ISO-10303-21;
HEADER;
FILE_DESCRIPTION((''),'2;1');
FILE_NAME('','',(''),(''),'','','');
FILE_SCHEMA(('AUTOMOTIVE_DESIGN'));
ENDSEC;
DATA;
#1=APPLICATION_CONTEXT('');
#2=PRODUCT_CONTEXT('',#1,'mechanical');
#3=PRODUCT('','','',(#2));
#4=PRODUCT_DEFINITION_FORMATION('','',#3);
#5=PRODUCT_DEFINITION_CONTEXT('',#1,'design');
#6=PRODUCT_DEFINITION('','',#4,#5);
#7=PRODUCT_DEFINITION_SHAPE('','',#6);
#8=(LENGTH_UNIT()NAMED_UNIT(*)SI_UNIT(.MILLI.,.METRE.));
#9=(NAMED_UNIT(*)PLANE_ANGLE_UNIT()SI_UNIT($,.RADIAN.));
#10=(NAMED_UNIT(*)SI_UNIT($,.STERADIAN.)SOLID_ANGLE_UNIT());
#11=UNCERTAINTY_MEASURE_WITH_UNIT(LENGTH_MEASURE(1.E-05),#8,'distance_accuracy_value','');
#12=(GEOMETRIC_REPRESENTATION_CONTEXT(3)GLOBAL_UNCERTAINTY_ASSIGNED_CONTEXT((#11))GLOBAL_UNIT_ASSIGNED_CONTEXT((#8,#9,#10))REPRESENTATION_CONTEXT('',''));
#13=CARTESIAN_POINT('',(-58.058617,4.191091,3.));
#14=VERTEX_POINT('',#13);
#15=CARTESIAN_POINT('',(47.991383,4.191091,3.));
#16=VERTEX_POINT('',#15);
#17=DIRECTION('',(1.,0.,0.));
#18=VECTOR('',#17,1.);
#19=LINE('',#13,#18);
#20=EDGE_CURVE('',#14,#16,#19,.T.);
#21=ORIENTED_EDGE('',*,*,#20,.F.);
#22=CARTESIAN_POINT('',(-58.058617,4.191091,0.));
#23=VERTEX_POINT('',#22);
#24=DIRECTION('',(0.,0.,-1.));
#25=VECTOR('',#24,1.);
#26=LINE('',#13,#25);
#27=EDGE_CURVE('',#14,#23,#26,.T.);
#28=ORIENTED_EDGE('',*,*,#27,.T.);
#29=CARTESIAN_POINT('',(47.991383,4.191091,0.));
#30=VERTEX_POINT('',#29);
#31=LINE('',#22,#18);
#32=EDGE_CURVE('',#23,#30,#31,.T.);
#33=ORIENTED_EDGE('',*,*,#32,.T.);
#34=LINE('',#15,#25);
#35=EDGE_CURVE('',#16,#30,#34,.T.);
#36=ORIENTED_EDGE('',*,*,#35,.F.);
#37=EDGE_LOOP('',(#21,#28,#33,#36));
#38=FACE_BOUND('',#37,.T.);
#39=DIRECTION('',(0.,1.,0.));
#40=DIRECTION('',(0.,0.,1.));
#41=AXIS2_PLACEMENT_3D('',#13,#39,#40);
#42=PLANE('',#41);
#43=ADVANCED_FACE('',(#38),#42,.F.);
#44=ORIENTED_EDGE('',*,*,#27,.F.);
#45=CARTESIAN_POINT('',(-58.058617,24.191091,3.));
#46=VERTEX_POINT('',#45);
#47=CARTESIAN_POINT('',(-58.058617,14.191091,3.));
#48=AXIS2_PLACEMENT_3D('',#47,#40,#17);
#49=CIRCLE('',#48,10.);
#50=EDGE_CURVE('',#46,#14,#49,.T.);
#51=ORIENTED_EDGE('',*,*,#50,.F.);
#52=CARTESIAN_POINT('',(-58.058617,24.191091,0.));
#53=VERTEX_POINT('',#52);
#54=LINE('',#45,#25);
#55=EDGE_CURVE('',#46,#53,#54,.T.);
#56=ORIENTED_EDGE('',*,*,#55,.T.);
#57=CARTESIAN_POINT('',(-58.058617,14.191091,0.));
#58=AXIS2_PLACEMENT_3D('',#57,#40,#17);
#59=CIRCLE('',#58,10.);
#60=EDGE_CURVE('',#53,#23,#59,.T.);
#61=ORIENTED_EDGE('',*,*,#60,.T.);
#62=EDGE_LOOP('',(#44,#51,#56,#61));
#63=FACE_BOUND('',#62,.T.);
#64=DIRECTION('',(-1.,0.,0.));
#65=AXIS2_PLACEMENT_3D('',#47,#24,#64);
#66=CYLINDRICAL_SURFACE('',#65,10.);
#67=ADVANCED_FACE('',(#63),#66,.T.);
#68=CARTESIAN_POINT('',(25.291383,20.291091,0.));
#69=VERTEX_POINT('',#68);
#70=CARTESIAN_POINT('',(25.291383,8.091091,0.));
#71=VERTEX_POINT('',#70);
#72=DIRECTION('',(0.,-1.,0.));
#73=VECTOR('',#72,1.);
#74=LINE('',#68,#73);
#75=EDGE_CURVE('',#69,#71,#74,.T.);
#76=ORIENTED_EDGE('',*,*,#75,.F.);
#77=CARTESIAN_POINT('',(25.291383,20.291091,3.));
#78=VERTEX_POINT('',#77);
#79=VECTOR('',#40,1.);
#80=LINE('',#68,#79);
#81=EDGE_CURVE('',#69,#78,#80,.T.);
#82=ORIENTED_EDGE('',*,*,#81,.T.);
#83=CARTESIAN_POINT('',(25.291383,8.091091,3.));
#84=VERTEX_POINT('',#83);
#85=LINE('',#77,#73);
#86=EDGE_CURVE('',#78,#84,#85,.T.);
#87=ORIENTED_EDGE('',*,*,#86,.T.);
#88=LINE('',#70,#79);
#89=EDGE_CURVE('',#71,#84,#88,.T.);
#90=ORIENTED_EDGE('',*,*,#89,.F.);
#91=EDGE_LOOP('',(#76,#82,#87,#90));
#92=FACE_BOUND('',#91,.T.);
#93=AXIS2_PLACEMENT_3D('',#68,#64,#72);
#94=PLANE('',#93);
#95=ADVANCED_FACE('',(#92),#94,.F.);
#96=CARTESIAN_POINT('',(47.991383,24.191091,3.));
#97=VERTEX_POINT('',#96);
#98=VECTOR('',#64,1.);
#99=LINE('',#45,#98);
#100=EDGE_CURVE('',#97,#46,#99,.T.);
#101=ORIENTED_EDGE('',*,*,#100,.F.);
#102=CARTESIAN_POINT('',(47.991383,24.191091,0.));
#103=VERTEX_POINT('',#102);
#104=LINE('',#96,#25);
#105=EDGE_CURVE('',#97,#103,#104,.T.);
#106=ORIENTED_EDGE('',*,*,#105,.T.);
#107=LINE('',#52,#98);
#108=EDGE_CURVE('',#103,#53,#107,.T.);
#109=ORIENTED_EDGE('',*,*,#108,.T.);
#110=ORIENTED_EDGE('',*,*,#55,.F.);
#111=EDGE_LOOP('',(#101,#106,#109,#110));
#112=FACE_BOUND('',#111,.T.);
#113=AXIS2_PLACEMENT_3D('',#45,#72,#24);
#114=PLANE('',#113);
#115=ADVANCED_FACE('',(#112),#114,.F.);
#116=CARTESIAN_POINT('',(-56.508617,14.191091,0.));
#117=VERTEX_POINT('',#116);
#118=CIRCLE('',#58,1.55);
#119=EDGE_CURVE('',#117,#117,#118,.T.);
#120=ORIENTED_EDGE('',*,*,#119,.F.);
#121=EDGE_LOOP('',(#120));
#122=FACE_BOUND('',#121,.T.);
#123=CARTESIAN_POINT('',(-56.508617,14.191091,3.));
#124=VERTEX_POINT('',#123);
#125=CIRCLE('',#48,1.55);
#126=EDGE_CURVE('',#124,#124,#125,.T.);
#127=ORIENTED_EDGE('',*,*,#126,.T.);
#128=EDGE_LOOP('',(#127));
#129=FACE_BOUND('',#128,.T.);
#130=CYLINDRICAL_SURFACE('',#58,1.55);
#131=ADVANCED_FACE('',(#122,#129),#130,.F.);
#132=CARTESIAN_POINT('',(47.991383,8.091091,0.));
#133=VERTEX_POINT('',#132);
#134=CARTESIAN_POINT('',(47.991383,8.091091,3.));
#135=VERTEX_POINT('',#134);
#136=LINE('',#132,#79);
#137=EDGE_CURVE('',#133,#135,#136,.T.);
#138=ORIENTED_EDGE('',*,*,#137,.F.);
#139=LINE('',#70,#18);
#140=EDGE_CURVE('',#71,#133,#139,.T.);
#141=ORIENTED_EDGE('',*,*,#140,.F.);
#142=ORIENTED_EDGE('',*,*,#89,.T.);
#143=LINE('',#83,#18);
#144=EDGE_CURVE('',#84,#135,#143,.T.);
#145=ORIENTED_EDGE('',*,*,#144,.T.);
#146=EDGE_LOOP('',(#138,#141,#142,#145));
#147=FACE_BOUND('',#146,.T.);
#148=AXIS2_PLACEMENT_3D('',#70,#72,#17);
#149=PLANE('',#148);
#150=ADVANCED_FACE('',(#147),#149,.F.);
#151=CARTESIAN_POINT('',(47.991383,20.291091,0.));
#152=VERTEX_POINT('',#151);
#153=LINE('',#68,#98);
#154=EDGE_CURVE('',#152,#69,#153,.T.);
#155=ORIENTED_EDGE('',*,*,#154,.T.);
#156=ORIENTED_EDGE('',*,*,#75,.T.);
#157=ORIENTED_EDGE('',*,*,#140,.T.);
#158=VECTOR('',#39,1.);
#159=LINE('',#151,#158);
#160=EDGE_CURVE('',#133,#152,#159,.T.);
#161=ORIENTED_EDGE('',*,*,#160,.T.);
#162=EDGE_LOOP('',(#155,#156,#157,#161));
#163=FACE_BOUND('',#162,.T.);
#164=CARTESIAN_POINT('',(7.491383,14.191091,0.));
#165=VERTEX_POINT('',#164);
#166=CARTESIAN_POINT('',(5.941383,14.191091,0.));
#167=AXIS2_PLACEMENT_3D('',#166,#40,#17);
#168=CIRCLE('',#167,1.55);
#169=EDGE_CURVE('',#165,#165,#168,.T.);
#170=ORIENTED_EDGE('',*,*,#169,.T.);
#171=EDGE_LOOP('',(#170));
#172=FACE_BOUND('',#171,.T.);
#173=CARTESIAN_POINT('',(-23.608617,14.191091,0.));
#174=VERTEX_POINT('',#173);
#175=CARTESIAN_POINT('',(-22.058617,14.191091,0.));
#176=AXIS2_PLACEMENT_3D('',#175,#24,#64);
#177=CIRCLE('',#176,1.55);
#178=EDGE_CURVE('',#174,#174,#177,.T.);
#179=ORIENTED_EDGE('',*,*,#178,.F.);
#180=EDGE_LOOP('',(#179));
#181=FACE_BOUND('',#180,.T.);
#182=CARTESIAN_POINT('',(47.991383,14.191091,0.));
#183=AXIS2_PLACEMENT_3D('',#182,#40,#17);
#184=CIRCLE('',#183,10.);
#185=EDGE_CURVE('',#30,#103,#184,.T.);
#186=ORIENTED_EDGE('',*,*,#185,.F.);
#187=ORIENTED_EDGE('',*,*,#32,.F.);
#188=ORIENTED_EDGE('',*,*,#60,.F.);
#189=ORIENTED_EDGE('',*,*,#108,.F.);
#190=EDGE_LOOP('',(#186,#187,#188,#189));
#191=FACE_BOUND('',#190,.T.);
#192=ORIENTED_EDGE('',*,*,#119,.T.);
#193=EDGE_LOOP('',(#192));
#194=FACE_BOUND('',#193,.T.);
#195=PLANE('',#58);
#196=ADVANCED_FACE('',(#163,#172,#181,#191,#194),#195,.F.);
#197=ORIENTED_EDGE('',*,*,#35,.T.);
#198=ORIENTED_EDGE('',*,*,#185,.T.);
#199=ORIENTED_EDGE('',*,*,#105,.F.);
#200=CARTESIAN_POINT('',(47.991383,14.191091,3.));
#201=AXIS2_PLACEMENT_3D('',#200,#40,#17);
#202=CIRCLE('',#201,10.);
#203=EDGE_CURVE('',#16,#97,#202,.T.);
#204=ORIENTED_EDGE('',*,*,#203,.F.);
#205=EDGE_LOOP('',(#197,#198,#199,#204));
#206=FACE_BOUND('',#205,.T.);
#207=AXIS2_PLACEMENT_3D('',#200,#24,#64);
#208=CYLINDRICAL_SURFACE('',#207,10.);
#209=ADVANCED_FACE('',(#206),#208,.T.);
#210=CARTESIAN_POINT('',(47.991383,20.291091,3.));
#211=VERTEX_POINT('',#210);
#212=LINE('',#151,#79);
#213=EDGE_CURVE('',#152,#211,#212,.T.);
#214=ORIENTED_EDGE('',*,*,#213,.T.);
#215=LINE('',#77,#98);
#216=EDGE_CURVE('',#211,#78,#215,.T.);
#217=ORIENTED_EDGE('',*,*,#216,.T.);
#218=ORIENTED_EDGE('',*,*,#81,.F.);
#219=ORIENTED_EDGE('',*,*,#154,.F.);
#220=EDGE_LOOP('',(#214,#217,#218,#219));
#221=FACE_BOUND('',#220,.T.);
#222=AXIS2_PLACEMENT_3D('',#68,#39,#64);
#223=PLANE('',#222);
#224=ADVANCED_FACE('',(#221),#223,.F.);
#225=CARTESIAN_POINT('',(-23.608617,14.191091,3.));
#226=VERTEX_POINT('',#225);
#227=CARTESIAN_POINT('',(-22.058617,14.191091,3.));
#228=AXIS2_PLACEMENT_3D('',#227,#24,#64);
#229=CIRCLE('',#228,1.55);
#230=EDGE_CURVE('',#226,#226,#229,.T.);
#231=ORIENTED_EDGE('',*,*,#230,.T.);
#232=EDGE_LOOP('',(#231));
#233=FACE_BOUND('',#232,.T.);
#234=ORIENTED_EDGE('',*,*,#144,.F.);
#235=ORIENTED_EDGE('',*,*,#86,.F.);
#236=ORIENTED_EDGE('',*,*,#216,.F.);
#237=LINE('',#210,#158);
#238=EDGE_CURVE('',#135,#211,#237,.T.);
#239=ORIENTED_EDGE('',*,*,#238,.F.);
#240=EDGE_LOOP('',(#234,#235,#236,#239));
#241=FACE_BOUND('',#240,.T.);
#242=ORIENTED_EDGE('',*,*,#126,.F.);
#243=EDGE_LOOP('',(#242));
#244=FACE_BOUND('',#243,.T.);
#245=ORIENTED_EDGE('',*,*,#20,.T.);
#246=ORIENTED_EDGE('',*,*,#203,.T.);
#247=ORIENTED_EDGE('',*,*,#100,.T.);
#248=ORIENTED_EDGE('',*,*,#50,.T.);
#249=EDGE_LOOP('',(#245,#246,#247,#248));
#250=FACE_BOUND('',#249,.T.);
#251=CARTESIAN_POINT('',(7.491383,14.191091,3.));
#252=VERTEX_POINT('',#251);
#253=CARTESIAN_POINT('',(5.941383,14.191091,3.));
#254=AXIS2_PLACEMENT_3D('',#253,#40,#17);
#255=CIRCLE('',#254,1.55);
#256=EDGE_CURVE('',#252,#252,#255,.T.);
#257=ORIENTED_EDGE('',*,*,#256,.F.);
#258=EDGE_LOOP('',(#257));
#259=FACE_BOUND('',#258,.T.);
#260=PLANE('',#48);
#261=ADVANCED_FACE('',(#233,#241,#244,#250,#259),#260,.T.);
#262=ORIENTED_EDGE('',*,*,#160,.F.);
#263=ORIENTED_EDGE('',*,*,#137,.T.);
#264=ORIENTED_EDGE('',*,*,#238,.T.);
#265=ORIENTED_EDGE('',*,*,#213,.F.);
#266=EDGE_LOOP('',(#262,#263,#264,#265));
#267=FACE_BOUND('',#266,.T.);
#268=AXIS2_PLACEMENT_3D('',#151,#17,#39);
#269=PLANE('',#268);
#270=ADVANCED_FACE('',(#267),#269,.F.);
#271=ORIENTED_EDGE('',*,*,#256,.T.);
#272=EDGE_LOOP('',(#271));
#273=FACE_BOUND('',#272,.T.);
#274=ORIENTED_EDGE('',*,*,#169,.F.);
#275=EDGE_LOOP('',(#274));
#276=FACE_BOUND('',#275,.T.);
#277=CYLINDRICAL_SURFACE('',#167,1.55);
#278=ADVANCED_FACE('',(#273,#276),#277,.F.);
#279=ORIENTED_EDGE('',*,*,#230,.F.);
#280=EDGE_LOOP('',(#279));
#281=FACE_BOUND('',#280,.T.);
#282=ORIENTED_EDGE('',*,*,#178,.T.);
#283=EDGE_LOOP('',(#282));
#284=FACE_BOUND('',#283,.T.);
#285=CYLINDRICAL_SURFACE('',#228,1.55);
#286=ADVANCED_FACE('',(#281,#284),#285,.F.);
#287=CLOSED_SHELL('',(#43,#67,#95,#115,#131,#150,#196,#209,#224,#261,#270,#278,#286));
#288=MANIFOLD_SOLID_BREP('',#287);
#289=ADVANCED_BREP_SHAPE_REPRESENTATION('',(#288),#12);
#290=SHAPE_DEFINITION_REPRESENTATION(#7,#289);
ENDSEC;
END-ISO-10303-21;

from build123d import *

# Parameters (mm, degrees)
BOSS_EXTRUDE1_DEPTH = 3
SKETCH3_R           = 1.55
CUT_EXTRUDE2_DEPTH  = 3
SKETCH4_R           = 1.55
CUT_EXTRUDE4_DEPTH  = 3
SKETCH5_R           = 1.55
CUT_EXTRUDE6_DEPTH  = 3
SKETCH6_W           = 22.7
SKETCH6_H           = 12.2
CUT_EXTRUDE7_DEPTH  = 3


with BuildPart() as part:
    # Sketch1 → Boss-Extrude1 (new body)
    with BuildSketch(Plane.XY):
        with BuildLine():
            Line((-58.058617241, 24.191090517), (47.991382759, 24.191090517))
            ThreePointArc((47.991382759, 24.191090517), (57.991382759, 14.191090517), (47.991382759, 4.191090517))
            Line((47.991382759, 4.191090517), (-58.058617241, 4.191090517))
            ThreePointArc((-58.058617241, 4.191090517), (-68.058617241, 14.191090517), (-58.058617241, 24.191090517))
        make_face()
    extrude(amount=BOSS_EXTRUDE1_DEPTH)

    # Sketch3 → Cut-Extrude2 (cut)
    with BuildSketch(Plane.XY.offset(3)):
        with Locations((-58.058617241, 14.191090517)):
            Circle(SKETCH3_R)
    extrude(amount=-CUT_EXTRUDE2_DEPTH, mode=Mode.SUBTRACT)

    # Sketch4 → Cut-Extrude4 (cut)
    with BuildSketch(Plane(origin=(9.979459273, 1.433252018, 3), x_dir=(1, 0, 0), z_dir=(0, 0, 1))):
        with Locations((-4.038076514, 12.757838499)):
            Circle(SKETCH4_R)
    extrude(amount=-CUT_EXTRUDE4_DEPTH, mode=Mode.SUBTRACT)

    # Sketch5 → Cut-Extrude6 (cut)
    with BuildSketch(Plane(origin=(-9.979459273, 1.433252018, 0), x_dir=(-1, 0, 0), z_dir=(0, 0, -1))):
        with Locations((12.079157968, 12.757838499)):
            Circle(SKETCH5_R)
    extrude(amount=-CUT_EXTRUDE6_DEPTH, mode=Mode.SUBTRACT)

    # Sketch6 → Cut-Extrude7 (cut)
    with BuildSketch(Plane.XY.offset(3)):
        with Locations((36.641382759, 14.191090517)):
            Rectangle(SKETCH6_W, SKETCH6_H)
    extrude(amount=-CUT_EXTRUDE7_DEPTH, mode=Mode.SUBTRACT)


solid = part.part
